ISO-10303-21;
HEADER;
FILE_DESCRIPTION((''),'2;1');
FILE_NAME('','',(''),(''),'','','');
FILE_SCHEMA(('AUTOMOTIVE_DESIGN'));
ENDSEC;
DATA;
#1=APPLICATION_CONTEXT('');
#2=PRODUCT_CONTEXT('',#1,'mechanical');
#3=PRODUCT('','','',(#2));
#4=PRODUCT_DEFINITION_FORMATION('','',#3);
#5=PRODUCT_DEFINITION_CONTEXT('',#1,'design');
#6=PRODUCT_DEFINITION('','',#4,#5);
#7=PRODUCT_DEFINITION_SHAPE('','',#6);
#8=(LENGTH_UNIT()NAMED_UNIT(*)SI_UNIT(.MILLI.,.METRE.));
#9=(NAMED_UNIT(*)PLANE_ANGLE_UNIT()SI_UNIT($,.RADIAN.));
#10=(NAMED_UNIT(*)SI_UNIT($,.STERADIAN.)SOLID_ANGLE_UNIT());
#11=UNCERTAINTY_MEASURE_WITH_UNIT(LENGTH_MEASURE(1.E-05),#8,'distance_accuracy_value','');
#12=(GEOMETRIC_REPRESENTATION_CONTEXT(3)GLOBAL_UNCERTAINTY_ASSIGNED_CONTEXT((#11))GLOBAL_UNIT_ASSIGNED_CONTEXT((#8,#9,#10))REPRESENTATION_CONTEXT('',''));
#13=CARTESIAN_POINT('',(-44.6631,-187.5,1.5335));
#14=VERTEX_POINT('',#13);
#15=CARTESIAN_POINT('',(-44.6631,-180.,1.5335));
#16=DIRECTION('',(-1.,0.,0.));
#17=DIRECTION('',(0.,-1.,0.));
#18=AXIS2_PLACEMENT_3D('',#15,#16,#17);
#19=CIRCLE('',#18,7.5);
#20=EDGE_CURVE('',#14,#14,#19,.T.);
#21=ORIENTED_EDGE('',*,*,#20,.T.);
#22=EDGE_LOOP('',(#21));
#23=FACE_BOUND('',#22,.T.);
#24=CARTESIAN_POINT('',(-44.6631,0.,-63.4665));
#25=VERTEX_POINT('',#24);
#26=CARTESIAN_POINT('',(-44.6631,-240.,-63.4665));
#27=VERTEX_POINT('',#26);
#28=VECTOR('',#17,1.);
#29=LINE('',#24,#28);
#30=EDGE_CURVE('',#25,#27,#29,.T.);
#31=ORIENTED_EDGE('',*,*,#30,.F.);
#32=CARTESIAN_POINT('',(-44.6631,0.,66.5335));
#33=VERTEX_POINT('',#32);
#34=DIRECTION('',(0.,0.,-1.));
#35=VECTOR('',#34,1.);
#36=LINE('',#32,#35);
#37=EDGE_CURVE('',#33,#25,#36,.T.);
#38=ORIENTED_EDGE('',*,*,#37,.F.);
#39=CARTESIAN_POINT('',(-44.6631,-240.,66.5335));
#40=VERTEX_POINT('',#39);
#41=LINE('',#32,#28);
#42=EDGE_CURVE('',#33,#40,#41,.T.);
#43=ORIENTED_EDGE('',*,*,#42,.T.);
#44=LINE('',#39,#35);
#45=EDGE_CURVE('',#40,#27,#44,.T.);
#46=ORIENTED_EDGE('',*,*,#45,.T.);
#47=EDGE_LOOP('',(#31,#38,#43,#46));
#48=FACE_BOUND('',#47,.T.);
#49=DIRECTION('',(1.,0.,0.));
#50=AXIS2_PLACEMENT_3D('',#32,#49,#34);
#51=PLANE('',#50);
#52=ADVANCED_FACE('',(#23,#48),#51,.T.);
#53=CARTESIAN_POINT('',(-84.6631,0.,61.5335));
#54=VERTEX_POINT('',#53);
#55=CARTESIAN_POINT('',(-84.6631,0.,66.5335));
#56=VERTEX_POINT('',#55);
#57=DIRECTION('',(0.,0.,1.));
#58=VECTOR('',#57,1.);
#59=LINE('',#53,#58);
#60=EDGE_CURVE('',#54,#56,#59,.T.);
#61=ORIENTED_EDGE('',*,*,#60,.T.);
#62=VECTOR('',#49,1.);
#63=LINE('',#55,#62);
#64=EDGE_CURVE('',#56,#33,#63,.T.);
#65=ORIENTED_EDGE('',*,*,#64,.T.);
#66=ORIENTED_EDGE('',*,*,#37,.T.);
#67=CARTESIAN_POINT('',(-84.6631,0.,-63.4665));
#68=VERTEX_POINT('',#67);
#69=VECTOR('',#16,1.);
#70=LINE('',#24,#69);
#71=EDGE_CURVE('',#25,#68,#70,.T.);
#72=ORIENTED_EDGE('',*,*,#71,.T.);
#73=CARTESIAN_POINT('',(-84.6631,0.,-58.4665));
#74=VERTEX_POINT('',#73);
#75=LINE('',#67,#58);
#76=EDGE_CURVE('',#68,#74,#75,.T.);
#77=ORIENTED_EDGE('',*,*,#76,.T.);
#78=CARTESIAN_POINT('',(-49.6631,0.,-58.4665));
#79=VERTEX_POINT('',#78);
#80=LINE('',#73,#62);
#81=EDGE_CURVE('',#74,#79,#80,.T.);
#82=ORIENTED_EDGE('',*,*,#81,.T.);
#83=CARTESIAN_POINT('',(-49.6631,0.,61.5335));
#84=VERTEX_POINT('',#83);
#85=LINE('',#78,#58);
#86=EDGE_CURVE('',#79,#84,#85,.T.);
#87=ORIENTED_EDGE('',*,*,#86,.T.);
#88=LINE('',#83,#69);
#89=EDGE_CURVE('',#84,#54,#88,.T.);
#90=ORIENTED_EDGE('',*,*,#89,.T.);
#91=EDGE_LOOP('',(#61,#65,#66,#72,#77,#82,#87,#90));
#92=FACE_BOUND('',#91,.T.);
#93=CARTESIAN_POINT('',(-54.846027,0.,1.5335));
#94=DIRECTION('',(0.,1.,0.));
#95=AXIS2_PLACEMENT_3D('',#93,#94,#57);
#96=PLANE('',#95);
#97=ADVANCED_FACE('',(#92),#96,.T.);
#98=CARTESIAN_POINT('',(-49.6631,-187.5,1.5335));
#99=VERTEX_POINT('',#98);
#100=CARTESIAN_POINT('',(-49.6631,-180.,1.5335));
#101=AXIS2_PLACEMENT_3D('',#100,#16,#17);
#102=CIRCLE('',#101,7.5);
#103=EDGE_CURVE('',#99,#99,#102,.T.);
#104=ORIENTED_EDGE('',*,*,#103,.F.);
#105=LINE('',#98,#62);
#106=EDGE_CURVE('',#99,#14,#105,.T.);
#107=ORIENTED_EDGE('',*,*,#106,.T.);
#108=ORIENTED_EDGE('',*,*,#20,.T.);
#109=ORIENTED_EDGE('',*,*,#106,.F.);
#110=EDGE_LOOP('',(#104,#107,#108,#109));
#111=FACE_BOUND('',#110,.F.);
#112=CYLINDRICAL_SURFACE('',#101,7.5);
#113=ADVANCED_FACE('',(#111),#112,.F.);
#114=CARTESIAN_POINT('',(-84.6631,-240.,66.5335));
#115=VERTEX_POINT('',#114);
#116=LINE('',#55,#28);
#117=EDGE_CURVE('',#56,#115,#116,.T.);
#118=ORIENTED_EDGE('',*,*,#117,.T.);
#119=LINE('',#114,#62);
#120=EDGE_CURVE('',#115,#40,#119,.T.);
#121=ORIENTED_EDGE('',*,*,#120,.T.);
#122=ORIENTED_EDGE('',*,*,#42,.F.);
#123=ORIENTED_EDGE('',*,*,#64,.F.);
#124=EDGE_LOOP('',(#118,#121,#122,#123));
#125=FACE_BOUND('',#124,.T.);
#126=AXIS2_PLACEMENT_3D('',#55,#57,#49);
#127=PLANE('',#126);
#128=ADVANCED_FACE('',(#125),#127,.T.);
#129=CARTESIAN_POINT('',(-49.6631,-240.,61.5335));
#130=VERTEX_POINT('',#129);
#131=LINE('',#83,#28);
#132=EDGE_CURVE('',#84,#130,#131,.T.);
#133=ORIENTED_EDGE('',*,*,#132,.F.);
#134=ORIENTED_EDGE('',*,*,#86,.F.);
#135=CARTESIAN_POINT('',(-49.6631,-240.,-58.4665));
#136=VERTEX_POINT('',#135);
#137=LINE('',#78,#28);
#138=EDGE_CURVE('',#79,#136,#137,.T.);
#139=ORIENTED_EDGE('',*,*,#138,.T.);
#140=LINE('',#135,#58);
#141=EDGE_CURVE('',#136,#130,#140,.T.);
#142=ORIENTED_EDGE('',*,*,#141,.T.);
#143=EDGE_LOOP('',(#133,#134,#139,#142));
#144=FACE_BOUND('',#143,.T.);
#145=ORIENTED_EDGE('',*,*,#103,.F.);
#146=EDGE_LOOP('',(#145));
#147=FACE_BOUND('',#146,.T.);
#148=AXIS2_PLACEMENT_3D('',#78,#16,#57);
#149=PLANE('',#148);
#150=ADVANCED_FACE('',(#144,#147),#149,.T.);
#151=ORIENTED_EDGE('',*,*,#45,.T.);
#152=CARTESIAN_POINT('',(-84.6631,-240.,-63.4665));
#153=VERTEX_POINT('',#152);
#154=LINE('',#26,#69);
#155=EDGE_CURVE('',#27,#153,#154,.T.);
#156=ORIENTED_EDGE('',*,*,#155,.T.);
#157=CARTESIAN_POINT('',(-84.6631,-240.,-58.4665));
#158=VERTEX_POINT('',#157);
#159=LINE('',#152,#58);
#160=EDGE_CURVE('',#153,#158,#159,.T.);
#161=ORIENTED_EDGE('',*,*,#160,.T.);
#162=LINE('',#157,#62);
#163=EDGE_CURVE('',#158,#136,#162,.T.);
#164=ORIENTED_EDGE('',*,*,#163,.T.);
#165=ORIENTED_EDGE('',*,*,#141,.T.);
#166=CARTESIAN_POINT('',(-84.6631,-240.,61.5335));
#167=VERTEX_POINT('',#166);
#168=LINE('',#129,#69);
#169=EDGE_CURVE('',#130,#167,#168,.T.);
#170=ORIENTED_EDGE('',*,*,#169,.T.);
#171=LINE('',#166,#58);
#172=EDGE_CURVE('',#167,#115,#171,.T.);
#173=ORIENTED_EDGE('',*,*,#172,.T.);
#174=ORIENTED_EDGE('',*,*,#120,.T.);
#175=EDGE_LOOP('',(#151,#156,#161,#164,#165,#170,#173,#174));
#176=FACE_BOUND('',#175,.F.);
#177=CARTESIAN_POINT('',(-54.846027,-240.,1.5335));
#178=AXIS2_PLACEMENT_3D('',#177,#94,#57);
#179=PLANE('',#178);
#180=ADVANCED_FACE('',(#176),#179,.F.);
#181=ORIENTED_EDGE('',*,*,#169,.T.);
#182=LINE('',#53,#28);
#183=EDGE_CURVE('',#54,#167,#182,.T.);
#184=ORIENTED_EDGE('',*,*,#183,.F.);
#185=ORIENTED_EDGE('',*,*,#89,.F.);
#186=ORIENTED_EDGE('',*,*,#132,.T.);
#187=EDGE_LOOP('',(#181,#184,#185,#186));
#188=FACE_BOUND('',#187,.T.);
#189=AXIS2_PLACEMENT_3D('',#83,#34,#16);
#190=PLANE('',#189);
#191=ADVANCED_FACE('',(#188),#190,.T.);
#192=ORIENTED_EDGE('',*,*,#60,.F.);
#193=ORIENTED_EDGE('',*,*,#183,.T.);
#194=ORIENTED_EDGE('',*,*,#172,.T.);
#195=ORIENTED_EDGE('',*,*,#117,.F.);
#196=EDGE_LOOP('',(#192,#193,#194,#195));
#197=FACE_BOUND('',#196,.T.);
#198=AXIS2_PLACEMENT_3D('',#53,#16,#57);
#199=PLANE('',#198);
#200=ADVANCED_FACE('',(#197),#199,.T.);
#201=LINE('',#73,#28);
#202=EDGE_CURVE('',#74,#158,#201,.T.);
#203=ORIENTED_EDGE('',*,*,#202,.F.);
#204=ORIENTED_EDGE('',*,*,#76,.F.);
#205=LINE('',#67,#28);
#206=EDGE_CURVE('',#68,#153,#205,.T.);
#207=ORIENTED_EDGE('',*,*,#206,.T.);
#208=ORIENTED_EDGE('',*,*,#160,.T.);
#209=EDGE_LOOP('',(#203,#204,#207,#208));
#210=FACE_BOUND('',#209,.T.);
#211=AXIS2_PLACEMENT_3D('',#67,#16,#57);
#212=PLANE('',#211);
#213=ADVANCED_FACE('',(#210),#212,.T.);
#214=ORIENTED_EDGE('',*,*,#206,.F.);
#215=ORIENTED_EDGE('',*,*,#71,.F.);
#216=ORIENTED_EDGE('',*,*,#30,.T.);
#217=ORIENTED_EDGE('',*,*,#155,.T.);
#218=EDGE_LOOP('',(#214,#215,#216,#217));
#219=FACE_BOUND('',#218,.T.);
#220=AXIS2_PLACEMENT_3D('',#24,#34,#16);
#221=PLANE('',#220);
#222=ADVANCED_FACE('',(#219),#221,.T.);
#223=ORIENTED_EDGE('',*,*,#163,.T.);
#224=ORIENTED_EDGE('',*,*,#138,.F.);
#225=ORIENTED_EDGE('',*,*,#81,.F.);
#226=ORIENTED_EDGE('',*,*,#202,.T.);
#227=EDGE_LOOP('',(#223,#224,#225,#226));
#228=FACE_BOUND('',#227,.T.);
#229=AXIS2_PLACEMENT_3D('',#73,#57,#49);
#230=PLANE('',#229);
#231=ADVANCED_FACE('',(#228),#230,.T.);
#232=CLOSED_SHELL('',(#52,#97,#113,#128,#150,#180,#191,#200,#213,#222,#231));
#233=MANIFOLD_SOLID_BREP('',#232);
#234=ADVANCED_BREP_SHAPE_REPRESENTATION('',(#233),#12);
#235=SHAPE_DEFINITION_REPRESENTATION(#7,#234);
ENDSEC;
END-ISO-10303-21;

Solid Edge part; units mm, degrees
sketch "Sketch1" plane through (0, 0, 0) normal (0, -1, 0) x (1, 0, 0)
  line L0 (-84.6631, 66.5335) -> (-44.6631, 66.5335)
  line L1 (-44.6631, 66.5335) -> (-44.6631, -63.4665)
  line L2 (-44.6631, -63.4665) -> (-84.6631, -63.4665)
  line L3 (-84.6631, -63.4665) -> (-84.6631, -58.4665)
  line L4 (-84.6631, -58.4665) -> (-49.6631, -58.4665)
  line L5 (-49.6631, -58.4665) -> (-49.6631, 61.5335)
  line L6 (-49.6631, 61.5335) -> (-84.6631, 61.5335)
  line L7 (-84.6631, 61.5335) -> (-84.6631, 66.5335)
  dimension "D1" = 130
  dimension "D2" = 5
  dimension "D3" = 5
  dimension "D4" = 40
  dimension "D5" = 5
extrude "Protrusion1" add sketch "Sketch1" along normal blind 240
sketch "Sketch2" plane through (-49.6631, -60, 1.5335) normal (-1, 0, 0) x (0, -1, 0)
  circle A0 centre (120, 0) radius 7.5
  dimension "D1" = 60
extrude "Cutout1" cut sketch "Sketch2" against normal through all
